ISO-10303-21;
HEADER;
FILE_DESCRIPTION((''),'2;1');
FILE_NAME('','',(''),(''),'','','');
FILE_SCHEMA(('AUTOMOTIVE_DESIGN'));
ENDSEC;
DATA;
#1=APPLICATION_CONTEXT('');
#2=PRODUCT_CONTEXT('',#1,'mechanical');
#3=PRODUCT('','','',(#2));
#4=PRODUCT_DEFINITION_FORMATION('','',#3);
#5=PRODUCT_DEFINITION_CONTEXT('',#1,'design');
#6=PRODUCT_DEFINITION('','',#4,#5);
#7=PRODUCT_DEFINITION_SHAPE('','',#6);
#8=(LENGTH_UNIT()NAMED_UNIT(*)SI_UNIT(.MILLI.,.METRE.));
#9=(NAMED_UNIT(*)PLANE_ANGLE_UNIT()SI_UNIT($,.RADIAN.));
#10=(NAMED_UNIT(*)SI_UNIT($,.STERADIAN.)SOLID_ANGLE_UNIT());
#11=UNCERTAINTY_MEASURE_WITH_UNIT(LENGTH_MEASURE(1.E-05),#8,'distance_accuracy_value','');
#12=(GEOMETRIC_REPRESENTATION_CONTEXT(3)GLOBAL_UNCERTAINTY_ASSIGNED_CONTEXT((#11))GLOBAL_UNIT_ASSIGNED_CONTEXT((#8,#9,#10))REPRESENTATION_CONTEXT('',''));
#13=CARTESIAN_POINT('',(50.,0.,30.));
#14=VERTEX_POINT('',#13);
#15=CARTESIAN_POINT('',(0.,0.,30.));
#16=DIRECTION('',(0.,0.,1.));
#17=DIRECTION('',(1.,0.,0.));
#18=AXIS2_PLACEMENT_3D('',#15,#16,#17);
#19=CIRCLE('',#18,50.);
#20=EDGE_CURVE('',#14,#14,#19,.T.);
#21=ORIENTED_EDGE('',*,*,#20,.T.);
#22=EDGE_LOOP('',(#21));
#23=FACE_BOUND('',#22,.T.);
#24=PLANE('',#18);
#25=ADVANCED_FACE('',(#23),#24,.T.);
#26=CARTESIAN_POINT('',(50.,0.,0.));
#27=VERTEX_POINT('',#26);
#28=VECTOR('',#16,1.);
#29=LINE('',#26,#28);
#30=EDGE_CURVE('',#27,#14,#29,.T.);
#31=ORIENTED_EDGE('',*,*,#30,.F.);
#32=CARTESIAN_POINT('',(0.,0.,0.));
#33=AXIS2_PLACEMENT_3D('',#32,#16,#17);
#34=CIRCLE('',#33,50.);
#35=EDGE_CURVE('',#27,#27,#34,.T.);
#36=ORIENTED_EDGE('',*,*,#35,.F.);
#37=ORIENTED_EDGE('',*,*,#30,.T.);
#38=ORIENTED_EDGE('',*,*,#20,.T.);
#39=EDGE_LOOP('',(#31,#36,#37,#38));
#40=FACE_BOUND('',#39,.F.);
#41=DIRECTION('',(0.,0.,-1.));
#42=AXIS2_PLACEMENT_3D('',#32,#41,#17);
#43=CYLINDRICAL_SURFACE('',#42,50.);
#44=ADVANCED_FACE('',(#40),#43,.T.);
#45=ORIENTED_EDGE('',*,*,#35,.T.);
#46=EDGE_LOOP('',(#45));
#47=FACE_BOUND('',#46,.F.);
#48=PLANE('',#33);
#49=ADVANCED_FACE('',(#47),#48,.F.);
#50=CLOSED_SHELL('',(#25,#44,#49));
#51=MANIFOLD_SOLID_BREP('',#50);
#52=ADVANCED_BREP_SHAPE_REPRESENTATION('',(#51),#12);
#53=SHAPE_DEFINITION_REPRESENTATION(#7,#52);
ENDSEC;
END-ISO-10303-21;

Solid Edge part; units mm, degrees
sketch "Sketch1" plane through (0, 0, 0) normal (0, 0, 1) x (1, 0, 0)
  circle A0 centre (0, 0) radius 50
extrude "Protrusion1" add sketch "Sketch1" along normal blind 30
